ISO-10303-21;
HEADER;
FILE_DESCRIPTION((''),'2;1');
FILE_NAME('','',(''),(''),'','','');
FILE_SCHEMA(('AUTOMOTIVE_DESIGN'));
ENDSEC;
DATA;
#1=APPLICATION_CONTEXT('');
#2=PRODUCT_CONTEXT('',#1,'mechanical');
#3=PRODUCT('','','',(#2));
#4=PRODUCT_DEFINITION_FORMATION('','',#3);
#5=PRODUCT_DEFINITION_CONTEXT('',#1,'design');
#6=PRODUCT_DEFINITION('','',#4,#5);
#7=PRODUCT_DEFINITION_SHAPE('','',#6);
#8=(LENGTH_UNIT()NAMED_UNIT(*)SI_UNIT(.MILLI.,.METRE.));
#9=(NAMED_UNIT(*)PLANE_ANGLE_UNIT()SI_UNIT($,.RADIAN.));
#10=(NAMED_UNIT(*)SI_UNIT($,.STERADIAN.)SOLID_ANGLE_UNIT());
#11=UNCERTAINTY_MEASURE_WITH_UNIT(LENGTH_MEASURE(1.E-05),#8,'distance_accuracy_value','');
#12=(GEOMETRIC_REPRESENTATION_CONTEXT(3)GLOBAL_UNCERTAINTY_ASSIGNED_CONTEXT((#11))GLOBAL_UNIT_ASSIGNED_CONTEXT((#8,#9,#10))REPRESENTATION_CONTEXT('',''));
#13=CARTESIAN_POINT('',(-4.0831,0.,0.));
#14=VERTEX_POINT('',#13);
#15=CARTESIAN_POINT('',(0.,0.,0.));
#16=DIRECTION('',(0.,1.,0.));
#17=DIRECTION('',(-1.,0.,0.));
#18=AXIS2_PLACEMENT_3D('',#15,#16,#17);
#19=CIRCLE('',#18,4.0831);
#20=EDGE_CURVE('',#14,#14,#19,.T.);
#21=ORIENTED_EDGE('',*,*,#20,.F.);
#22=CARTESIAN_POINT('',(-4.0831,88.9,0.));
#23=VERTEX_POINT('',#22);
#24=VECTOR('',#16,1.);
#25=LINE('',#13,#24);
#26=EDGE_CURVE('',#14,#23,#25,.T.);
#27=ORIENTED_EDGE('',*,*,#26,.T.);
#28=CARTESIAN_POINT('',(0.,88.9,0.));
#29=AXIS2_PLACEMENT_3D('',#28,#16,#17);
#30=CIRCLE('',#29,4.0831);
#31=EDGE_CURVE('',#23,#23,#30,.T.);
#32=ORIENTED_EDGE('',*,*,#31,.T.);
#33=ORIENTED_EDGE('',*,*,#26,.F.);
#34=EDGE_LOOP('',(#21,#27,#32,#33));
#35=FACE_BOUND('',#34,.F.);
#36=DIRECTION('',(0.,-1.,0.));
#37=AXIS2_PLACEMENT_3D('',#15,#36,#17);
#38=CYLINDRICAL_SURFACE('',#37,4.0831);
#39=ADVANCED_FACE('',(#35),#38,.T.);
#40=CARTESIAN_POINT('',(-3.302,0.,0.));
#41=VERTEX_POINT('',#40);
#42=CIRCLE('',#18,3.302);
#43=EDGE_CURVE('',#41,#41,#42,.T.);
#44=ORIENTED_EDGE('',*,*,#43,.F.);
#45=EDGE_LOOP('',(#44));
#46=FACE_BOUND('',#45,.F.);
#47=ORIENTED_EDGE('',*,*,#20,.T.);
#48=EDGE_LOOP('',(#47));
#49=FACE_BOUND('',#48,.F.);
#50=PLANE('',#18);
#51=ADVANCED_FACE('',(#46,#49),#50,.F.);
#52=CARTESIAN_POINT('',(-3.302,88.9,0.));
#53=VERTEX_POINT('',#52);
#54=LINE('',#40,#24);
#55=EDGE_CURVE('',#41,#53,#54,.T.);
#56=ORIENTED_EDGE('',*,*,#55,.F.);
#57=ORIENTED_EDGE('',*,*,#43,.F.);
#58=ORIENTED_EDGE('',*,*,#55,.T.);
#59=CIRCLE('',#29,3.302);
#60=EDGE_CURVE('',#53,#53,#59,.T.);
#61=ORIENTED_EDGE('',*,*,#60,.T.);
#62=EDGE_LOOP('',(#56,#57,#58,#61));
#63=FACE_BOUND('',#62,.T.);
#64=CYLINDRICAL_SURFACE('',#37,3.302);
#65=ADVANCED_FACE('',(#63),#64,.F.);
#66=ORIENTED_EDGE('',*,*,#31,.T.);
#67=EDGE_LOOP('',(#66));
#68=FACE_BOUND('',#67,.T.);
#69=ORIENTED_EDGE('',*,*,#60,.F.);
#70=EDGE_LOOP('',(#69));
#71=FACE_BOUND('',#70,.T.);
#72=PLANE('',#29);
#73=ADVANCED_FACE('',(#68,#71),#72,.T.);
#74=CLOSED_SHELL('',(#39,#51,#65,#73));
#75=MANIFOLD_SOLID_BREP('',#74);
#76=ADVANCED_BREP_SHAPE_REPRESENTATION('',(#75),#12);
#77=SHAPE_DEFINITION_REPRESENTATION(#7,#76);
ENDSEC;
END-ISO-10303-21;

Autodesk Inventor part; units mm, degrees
ref_plane "YZ Plane" through (0, 0, 0) normal (1, 0, 0) x (0, 1, 0)
ref_plane "XZ Plane" through (0, 0, 0) normal (0, 1, 0) x (-1, 0, 0)
ref_plane "XY Plane" through (0, 0, 0) normal (0, 0, 1) x (1, 0, 0)
sketch "Sketch1" plane through (0, 0, 0) normal (0, 1, 0) x (-1, 0, 0)
  circle A0 centre (0, 0) radius 4.0831
  circle A1 centre (0, 0) radius 3.302
  dimension "d0" = 8.1661
  dimension "d1" = 6.604
extrude "Extrusion1" add sketch "Sketch1" along normal blind 88.9
properties part number "Barrel"
